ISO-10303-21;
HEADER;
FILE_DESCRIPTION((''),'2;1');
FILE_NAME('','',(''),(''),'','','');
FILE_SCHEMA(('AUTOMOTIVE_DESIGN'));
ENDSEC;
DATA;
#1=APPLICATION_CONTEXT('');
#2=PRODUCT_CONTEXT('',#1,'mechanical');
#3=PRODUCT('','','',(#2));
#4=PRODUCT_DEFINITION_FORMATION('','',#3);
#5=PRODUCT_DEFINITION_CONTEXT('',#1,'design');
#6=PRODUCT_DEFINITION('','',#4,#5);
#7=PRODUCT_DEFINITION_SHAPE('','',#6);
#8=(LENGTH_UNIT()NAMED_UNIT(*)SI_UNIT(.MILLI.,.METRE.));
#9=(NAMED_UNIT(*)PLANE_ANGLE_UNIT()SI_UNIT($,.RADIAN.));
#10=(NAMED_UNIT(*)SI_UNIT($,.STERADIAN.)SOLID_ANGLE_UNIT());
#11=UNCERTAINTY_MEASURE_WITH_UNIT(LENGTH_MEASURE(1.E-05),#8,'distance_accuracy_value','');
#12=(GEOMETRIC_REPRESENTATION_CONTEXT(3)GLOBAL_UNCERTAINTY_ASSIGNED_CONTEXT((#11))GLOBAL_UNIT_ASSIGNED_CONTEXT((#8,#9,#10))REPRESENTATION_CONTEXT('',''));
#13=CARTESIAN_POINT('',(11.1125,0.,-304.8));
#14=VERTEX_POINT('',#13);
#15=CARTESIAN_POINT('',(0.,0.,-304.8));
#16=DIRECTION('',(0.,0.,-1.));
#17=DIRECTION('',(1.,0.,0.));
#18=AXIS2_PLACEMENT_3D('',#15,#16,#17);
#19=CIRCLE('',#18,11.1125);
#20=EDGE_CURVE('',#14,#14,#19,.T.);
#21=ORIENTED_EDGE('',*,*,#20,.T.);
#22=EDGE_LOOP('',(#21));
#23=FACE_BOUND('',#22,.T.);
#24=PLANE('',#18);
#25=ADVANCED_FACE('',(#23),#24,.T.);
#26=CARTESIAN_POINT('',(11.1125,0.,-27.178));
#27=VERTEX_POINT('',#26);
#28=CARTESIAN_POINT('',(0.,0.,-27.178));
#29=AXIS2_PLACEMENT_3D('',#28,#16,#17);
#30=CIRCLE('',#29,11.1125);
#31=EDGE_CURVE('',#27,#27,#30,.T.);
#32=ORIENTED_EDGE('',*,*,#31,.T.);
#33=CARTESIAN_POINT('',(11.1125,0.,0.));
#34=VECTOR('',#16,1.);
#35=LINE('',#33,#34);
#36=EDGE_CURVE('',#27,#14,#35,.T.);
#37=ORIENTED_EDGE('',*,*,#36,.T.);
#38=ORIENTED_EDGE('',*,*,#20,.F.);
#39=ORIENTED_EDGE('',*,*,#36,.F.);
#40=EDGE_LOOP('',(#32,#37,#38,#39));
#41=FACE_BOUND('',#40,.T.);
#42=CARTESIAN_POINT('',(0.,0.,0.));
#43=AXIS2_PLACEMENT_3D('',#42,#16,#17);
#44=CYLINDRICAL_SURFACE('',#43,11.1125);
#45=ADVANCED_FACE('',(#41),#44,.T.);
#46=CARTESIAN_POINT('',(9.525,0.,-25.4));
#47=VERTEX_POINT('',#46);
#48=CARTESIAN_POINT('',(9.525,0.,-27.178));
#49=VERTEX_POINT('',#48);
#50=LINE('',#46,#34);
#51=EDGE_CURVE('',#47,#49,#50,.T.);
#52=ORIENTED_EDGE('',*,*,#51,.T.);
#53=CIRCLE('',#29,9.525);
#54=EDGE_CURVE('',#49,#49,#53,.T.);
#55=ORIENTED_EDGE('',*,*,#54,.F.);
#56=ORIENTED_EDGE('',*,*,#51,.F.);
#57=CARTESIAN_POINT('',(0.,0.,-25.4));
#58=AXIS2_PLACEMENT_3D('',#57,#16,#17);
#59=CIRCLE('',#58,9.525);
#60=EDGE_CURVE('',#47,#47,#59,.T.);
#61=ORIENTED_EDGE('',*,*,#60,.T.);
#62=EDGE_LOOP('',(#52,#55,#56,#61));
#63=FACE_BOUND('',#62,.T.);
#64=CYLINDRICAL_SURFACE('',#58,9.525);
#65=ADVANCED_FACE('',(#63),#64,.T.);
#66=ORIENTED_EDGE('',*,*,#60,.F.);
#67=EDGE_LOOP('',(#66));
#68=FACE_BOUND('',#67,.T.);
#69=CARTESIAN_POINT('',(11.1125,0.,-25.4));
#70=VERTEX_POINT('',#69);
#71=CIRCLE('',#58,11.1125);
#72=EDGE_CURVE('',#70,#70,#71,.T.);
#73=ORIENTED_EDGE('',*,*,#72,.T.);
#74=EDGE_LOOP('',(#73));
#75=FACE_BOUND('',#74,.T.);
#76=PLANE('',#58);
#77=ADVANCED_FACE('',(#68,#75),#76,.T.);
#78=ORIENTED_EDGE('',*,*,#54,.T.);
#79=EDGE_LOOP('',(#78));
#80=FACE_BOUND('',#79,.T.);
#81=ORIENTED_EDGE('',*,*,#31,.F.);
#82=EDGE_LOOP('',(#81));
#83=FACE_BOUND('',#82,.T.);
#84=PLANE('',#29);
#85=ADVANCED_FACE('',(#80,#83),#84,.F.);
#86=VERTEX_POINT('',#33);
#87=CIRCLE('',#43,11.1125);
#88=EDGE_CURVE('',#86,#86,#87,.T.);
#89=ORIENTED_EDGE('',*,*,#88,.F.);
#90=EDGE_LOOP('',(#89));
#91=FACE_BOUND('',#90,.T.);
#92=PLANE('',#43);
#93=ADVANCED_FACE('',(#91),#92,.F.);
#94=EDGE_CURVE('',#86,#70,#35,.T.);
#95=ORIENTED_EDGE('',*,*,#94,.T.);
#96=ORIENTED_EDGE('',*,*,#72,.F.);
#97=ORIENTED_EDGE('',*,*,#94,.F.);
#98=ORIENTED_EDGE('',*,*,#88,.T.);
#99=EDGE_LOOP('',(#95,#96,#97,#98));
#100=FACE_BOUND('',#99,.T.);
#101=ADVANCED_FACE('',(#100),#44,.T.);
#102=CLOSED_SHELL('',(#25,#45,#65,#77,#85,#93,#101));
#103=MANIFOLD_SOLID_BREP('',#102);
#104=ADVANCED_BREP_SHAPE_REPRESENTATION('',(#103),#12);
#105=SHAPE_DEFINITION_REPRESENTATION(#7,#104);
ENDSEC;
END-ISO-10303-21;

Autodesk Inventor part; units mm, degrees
ref_plane "YZ Plane" through (0, 0, 0) normal (1, 0, 0) x (0, 1, 0)
ref_plane "XZ Plane" through (0, 0, 0) normal (0, 1, 0) x (-1, 0, 0)
ref_plane "XY Plane" through (0, 0, 0) normal (0, 0, 1) x (1, 0, 0)
sketch "Sketch1" plane through (0, 0, 0) normal (0, 1, 0) x (-1, 0, 0)
  line L0 (0, 0) -> (-11.1125, 0)
  line L1 (-11.1125, 0) -> (-11.1125, -334.6595)
  line L2 (-11.1125, -25.4) -> (-9.525, -25.4)
  line L3 (-9.525, -25.4) -> (-9.525, -27.178)
  line L4 (-9.525, -27.178) -> (-11.1125, -27.178)
  line L5 (0, 0) -> (0, -334.6595)
  line L6 (-11.1125, -304.8) -> (0, -304.8)
  dimension "d0" = 11.1125
  dimension "d2" = 334.6595
  dimension "d4" = 25.4
  dimension "d5" = 1.778
  dimension "d6" = 1.5875
  dimension "d7" = 304.8
revolve "Revolution1" add sketch "Sketch1" angle 360 about axis through (0, 0, 0) along (0, 0, -1) contours L5 L6 L1 L4 L3 L2 L0
properties part number "3 Piston Rod"
